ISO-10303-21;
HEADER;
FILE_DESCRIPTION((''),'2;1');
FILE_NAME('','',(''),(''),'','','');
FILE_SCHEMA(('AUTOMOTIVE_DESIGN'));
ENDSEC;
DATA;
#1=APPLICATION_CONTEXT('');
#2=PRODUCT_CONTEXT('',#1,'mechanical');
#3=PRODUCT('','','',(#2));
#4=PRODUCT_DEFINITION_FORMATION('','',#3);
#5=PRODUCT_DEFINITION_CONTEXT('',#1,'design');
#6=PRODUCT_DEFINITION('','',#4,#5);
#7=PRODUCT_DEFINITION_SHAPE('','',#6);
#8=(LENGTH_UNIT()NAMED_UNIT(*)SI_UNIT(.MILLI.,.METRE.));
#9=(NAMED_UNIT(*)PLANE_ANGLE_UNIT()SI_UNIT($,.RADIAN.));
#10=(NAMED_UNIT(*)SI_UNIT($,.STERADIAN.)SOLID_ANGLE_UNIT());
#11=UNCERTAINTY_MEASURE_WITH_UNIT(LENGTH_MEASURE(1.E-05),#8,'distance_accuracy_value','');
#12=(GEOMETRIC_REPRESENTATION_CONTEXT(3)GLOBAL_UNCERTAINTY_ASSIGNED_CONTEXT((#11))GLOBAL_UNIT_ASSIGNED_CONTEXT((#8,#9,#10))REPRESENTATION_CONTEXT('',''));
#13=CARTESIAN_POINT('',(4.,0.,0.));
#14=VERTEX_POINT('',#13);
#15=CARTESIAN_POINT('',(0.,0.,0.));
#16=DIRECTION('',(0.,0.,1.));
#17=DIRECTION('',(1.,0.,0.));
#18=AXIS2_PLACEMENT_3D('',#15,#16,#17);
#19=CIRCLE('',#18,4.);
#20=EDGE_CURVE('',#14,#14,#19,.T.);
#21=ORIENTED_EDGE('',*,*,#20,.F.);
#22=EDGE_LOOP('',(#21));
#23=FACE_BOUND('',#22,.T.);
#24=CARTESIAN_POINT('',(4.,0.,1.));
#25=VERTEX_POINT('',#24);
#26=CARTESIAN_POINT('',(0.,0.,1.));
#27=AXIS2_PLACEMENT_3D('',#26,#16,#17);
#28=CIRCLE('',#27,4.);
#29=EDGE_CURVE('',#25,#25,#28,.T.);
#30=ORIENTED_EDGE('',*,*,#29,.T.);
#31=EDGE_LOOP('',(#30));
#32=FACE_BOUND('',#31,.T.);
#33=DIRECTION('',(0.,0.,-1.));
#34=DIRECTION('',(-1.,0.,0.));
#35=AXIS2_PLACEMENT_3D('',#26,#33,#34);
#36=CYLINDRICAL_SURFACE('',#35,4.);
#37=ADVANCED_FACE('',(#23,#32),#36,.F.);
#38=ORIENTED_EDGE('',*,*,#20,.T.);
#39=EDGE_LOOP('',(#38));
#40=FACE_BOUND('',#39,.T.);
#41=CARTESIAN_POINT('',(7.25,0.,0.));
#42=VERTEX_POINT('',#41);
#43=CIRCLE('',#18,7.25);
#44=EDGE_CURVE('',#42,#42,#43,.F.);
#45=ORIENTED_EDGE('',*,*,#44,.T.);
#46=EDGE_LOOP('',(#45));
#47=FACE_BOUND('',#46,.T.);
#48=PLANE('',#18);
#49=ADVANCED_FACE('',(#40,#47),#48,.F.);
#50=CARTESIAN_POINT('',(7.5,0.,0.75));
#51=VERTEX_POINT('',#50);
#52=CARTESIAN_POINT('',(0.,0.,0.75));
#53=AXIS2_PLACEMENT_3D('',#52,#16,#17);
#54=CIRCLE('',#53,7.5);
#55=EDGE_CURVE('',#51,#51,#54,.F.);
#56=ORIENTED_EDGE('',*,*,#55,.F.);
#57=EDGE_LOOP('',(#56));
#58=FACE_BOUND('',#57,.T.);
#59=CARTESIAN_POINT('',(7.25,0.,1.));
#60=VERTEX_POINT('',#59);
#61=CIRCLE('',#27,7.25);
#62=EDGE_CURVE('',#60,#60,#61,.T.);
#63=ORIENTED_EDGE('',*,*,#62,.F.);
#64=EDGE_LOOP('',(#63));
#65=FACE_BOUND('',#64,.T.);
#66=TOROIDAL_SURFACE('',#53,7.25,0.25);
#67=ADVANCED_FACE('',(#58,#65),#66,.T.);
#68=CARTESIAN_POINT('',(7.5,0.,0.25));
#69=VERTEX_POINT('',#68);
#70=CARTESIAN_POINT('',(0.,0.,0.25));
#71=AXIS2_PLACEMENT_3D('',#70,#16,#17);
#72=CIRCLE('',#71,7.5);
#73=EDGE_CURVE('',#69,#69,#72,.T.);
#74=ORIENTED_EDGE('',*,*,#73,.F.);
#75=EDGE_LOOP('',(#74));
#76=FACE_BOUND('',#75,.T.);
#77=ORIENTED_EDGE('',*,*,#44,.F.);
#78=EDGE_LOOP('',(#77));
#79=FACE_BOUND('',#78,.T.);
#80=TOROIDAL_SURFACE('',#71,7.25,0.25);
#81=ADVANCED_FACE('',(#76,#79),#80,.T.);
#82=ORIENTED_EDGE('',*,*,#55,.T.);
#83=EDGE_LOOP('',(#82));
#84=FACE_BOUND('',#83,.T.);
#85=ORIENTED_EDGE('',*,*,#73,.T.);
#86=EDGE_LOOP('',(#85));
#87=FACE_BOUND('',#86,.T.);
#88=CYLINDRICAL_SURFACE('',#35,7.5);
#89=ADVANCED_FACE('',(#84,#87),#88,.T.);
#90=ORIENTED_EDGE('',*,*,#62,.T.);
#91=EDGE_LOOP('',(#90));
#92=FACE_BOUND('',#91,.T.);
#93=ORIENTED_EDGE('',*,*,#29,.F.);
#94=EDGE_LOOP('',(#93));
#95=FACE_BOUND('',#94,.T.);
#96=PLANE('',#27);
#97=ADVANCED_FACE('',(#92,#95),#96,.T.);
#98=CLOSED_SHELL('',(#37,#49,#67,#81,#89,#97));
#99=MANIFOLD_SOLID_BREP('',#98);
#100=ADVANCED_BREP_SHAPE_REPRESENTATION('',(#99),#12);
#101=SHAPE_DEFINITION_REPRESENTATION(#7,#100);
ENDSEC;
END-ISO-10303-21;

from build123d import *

# Parameters (mm, degrees)
SKETCH1_R           = 7.5
SKETCH1_R_2         = 4
BOSS_EXTRUDE1_DEPTH = 1
FILLET1_R           = 0.25


with BuildPart() as part:
    # Sketch1 → Boss-Extrude1 (new body)
    with BuildSketch(Plane.XY):
        Circle(SKETCH1_R)
        Circle(SKETCH1_R_2, mode=Mode.SUBTRACT)
    extrude(amount=BOSS_EXTRUDE1_DEPTH)

    # Fillet1
    fillet1_edges = [part.edges().sort_by_distance(p)[0] for p in [
        (-7.5, 0, 0),
        (-7.5, 0, 1),
    ]]
    fillet(fillet1_edges, radius=FILLET1_R)


solid = part.part
